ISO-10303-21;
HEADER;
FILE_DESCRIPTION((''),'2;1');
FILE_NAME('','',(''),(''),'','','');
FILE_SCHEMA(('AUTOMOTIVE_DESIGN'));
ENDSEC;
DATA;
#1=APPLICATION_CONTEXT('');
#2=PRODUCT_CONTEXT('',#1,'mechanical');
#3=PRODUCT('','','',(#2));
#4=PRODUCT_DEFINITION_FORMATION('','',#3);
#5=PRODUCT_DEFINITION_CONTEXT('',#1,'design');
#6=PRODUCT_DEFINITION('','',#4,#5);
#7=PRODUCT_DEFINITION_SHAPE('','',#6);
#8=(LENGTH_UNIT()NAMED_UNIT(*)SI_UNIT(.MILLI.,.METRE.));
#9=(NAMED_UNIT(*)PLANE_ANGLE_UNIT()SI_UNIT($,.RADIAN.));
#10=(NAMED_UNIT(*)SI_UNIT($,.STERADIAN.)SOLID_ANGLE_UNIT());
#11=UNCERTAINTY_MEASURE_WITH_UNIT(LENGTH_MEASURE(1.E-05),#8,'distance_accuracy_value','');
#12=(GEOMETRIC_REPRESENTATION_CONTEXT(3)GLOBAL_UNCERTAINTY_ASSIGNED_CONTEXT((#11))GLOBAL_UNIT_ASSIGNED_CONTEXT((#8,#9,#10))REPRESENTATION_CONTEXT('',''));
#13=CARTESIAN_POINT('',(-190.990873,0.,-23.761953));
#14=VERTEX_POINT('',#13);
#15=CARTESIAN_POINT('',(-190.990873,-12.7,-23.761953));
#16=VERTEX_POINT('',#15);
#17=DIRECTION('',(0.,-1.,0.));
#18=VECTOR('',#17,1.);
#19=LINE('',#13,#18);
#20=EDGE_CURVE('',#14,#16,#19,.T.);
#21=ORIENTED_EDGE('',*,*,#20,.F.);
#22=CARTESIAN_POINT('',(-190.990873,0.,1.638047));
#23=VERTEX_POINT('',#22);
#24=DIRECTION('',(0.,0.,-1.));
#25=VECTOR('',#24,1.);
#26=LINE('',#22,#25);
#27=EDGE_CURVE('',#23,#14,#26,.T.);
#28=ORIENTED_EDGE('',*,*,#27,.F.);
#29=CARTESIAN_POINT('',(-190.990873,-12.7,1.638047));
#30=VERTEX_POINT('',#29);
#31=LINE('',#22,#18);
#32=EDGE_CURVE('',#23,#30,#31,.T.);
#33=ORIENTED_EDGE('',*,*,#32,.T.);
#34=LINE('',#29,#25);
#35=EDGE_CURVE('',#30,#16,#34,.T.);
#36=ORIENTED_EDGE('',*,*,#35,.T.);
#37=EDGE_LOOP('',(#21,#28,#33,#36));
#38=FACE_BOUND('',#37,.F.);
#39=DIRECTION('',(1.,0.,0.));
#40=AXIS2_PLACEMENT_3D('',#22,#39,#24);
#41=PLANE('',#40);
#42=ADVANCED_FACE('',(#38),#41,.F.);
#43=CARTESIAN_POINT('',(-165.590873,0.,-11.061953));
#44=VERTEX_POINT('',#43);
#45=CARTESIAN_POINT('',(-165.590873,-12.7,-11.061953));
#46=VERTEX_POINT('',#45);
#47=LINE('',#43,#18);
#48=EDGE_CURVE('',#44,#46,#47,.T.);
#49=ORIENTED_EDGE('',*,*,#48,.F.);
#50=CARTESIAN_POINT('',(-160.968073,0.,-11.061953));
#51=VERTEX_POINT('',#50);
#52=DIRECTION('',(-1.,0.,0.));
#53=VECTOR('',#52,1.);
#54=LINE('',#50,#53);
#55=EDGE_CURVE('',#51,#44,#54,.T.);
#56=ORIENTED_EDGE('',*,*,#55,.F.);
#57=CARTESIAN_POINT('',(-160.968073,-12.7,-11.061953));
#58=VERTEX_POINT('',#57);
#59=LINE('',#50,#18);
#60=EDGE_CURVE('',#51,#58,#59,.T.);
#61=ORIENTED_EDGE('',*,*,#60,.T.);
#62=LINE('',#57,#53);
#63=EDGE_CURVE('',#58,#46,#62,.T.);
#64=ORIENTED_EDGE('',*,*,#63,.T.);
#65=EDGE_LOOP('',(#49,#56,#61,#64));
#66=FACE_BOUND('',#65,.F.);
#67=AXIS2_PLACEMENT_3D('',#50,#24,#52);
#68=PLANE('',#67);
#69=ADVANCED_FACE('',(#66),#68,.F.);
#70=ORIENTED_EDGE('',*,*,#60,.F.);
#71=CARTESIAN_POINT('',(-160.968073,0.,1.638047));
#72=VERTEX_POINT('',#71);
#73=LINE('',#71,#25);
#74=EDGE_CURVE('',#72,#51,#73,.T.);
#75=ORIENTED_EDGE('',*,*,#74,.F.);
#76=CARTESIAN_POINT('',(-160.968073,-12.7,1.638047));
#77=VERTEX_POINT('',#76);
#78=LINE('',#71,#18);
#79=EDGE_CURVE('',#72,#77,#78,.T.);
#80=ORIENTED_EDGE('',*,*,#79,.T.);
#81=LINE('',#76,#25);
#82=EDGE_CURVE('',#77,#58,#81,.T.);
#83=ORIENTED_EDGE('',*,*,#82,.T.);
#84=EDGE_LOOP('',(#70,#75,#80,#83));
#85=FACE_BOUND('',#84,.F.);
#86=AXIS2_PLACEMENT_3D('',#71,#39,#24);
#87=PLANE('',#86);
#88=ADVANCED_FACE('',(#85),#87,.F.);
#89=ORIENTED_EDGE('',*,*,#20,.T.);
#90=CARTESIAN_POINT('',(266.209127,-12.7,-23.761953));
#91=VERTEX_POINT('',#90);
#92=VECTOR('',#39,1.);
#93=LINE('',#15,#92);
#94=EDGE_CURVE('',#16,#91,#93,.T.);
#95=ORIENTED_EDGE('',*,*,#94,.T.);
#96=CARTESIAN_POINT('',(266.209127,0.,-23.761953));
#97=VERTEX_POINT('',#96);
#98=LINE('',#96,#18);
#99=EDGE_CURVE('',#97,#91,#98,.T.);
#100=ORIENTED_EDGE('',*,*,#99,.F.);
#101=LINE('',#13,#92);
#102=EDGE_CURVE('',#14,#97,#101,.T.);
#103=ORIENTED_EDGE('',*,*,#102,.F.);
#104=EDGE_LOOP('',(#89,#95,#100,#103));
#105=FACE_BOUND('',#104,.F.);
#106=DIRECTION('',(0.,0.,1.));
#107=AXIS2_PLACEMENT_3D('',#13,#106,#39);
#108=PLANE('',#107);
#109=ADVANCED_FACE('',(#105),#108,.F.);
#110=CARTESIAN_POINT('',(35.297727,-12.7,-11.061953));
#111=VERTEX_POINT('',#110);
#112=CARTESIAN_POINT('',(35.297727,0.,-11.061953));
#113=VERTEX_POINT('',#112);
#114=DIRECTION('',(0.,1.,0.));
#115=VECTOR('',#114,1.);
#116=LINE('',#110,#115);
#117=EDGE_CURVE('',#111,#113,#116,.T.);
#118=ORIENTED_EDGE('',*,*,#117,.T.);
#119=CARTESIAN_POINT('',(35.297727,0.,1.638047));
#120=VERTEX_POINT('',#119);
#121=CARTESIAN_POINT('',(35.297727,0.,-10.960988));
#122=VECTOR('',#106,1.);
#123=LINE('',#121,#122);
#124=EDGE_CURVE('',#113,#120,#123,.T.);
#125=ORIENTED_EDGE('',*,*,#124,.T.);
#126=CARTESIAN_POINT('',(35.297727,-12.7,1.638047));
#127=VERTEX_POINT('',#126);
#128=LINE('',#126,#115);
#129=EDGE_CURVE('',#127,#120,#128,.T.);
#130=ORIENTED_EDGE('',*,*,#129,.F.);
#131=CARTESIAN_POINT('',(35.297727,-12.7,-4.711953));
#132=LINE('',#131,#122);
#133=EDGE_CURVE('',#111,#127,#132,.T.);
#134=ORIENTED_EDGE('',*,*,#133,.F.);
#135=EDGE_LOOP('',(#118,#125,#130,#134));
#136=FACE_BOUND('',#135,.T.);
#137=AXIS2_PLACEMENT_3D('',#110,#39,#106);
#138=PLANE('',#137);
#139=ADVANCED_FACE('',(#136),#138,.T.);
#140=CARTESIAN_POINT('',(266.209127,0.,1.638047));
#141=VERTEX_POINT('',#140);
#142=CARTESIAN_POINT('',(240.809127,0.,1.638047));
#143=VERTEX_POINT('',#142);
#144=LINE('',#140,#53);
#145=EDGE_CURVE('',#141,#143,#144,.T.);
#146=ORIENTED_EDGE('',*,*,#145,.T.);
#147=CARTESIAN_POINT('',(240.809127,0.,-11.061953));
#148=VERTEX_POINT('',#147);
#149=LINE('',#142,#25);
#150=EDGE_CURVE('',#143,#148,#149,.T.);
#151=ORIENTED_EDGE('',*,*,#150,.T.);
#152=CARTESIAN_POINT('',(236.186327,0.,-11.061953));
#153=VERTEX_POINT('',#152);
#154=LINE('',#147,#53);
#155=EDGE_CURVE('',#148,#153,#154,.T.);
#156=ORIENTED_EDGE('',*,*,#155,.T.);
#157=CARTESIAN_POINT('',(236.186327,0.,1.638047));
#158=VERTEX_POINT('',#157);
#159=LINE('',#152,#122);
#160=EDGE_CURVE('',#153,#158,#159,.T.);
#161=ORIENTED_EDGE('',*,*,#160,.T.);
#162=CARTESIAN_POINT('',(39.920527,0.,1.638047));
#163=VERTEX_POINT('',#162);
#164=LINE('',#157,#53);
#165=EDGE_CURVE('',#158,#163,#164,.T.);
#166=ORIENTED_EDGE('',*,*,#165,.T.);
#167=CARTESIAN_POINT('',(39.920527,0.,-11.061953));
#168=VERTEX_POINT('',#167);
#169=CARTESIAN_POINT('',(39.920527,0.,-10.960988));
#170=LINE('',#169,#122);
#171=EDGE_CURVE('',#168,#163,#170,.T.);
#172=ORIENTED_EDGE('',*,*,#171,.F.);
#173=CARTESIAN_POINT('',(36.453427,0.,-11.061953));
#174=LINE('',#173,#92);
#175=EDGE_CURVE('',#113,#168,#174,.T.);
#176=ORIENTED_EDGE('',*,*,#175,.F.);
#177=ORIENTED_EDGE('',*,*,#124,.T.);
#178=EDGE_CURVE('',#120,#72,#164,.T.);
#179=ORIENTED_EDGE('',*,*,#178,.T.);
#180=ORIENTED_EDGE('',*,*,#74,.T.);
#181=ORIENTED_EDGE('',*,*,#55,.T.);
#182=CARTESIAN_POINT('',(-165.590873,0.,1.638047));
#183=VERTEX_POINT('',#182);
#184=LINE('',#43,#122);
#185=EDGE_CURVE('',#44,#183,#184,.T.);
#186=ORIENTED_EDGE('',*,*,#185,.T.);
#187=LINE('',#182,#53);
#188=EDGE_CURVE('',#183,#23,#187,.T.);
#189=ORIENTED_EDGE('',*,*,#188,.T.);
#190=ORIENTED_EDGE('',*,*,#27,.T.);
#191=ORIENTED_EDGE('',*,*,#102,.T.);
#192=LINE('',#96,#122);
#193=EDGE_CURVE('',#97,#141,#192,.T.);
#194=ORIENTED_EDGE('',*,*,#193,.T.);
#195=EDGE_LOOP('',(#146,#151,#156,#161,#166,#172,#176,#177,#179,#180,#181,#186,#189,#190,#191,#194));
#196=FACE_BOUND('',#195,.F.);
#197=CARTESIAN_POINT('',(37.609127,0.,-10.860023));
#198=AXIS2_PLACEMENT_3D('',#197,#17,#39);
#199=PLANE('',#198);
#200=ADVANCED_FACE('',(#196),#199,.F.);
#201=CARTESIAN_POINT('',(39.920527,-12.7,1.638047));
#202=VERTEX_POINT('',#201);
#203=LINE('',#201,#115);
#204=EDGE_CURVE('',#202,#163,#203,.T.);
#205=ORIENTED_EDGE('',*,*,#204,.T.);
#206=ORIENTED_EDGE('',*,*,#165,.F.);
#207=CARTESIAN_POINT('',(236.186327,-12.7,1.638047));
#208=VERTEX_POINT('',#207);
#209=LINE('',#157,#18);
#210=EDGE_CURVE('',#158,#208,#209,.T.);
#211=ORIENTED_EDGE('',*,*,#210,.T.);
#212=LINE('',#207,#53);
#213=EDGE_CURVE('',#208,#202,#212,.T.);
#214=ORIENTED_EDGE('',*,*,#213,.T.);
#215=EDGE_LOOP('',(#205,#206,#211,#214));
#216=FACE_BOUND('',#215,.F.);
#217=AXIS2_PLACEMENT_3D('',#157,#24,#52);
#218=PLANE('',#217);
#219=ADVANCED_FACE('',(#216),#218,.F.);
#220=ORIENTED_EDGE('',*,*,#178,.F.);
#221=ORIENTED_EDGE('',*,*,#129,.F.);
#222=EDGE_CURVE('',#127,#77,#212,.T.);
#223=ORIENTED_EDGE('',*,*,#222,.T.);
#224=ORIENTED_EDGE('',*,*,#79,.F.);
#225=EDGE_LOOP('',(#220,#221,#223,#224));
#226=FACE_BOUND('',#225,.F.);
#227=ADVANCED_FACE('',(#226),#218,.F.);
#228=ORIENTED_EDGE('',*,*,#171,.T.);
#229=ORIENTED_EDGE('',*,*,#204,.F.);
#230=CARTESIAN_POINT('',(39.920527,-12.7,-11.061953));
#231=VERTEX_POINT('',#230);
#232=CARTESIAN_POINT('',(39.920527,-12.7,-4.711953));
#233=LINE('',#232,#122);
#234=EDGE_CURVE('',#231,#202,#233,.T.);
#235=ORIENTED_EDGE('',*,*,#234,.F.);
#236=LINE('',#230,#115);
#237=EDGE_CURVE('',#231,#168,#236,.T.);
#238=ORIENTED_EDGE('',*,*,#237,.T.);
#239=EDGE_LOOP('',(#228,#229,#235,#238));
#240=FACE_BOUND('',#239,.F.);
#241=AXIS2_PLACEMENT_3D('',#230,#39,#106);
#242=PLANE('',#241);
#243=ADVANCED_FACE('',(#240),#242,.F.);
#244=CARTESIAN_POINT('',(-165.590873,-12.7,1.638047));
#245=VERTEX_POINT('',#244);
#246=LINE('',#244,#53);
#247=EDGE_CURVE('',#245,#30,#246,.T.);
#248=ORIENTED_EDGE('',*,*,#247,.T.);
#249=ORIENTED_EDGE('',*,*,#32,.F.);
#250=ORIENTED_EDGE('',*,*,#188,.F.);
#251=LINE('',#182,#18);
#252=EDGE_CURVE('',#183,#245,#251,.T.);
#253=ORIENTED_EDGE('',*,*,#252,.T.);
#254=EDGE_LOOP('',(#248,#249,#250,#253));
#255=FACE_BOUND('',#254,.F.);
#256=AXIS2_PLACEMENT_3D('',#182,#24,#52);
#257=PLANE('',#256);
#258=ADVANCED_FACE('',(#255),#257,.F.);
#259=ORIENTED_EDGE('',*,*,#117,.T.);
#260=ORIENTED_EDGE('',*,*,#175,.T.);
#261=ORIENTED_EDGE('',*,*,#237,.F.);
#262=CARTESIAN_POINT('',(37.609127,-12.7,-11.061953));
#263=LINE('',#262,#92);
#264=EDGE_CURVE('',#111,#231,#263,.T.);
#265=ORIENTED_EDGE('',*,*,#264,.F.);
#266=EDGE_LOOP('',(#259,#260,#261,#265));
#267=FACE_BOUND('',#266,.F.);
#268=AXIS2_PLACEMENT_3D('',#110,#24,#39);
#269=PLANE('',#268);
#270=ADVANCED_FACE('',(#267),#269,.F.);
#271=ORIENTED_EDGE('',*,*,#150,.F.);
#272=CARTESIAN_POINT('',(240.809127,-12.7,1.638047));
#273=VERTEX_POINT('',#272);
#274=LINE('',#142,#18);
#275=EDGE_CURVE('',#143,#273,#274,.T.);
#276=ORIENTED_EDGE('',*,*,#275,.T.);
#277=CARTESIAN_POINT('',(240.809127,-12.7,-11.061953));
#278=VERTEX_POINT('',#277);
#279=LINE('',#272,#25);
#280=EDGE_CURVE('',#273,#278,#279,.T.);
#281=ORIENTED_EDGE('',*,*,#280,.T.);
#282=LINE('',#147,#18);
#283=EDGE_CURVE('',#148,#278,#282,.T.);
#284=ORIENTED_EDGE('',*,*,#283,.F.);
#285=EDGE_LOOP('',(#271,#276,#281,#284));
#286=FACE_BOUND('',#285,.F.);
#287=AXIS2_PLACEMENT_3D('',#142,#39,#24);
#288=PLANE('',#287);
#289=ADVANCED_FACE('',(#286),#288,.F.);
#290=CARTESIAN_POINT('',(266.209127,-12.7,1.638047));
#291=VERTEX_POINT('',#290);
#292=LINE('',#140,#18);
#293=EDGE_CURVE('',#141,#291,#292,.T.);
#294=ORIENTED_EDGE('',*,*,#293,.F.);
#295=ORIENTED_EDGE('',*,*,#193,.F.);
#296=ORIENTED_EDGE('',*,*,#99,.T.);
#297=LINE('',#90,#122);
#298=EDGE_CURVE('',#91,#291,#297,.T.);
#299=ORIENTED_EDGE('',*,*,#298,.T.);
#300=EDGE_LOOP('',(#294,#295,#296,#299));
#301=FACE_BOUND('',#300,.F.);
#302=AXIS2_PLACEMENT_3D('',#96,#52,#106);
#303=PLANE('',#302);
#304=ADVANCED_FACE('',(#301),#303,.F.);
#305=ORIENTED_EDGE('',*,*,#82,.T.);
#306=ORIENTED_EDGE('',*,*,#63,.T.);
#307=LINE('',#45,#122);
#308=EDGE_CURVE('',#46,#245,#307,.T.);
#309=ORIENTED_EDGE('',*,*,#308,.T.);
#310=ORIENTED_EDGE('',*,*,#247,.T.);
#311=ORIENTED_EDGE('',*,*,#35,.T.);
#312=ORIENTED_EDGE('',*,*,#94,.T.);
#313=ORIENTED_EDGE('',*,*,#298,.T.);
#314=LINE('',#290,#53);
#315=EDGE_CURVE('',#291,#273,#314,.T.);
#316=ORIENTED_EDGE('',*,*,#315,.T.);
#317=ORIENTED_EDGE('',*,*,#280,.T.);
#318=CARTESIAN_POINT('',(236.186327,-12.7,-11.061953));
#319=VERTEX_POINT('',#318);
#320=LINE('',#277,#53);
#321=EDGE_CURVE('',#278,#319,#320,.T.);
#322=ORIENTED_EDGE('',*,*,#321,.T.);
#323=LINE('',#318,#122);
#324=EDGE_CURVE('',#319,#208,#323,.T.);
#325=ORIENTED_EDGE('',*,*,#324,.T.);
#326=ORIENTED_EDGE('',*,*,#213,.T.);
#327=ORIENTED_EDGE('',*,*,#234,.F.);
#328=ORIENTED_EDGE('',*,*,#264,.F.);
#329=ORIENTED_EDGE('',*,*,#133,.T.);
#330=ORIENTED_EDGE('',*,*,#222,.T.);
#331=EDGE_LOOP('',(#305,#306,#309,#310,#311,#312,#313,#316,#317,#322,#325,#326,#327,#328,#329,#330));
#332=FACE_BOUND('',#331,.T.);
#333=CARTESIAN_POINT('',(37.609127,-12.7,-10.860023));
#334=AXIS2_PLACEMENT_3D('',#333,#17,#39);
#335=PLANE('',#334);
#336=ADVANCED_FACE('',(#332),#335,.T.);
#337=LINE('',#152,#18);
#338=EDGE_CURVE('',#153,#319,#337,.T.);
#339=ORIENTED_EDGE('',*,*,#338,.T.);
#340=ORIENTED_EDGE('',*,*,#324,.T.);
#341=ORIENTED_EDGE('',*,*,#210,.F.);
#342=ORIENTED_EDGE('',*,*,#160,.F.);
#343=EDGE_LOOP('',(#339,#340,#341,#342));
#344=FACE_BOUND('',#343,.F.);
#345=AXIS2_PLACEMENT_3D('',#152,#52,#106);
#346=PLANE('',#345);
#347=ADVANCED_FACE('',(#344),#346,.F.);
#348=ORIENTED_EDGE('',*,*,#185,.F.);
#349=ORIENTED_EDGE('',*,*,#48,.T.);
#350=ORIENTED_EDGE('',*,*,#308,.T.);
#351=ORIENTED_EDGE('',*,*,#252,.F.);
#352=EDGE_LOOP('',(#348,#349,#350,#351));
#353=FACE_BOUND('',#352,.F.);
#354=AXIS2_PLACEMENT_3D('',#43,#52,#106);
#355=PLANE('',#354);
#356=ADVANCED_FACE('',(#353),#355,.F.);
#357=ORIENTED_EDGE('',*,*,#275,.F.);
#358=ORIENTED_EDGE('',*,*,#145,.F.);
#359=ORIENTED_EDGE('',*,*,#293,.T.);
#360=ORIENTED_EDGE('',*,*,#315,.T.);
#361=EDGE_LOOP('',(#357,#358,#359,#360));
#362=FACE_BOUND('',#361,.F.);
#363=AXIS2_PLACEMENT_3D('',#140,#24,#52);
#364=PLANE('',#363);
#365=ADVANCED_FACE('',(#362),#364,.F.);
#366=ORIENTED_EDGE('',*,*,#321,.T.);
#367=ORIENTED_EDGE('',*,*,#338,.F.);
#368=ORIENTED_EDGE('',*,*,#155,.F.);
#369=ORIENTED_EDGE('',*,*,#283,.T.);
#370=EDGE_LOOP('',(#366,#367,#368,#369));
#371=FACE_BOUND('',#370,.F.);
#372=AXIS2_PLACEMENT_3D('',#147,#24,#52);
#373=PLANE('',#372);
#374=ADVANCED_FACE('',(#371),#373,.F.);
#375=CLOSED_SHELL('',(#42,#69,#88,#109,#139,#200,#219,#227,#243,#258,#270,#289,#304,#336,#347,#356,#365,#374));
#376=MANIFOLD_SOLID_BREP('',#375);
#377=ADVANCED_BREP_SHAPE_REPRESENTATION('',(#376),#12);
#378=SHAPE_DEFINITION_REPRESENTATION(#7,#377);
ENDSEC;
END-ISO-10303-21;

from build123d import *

# Parameters (mm, degrees)
F1_DEPTH = 12.7
F2_W     = 4.6228
F2_H     = 12.7
F3_DEPTH = 25.4


with BuildPart() as f1:
    # F0 (on Front) → F1 (new body)
    with BuildSketch(Plane.XZ):
        Polygon((-190.990873, 1.638047), (-190.990873, -23.761953), (266.209127, -23.761953), (266.209127, 1.638047), (240.809127, 1.638047), (240.809127, -11.061953), (236.186327, -11.061953), (236.186327, 1.638047), (-160.968073, 1.638047), (-160.968073, -11.061953), (-165.590873, -11.061953), (-165.590873, 1.638047), align=None)
    extrude(amount=F1_DEPTH)

    # F2 (on face) → F3 (cut)
    with BuildSketch(Plane.XZ.offset(12.7)):
        with Locations((37.609127, -4.711953)):
            Rectangle(F2_W, F2_H)
    extrude(amount=-F3_DEPTH, mode=Mode.SUBTRACT)


solid = f1.part
